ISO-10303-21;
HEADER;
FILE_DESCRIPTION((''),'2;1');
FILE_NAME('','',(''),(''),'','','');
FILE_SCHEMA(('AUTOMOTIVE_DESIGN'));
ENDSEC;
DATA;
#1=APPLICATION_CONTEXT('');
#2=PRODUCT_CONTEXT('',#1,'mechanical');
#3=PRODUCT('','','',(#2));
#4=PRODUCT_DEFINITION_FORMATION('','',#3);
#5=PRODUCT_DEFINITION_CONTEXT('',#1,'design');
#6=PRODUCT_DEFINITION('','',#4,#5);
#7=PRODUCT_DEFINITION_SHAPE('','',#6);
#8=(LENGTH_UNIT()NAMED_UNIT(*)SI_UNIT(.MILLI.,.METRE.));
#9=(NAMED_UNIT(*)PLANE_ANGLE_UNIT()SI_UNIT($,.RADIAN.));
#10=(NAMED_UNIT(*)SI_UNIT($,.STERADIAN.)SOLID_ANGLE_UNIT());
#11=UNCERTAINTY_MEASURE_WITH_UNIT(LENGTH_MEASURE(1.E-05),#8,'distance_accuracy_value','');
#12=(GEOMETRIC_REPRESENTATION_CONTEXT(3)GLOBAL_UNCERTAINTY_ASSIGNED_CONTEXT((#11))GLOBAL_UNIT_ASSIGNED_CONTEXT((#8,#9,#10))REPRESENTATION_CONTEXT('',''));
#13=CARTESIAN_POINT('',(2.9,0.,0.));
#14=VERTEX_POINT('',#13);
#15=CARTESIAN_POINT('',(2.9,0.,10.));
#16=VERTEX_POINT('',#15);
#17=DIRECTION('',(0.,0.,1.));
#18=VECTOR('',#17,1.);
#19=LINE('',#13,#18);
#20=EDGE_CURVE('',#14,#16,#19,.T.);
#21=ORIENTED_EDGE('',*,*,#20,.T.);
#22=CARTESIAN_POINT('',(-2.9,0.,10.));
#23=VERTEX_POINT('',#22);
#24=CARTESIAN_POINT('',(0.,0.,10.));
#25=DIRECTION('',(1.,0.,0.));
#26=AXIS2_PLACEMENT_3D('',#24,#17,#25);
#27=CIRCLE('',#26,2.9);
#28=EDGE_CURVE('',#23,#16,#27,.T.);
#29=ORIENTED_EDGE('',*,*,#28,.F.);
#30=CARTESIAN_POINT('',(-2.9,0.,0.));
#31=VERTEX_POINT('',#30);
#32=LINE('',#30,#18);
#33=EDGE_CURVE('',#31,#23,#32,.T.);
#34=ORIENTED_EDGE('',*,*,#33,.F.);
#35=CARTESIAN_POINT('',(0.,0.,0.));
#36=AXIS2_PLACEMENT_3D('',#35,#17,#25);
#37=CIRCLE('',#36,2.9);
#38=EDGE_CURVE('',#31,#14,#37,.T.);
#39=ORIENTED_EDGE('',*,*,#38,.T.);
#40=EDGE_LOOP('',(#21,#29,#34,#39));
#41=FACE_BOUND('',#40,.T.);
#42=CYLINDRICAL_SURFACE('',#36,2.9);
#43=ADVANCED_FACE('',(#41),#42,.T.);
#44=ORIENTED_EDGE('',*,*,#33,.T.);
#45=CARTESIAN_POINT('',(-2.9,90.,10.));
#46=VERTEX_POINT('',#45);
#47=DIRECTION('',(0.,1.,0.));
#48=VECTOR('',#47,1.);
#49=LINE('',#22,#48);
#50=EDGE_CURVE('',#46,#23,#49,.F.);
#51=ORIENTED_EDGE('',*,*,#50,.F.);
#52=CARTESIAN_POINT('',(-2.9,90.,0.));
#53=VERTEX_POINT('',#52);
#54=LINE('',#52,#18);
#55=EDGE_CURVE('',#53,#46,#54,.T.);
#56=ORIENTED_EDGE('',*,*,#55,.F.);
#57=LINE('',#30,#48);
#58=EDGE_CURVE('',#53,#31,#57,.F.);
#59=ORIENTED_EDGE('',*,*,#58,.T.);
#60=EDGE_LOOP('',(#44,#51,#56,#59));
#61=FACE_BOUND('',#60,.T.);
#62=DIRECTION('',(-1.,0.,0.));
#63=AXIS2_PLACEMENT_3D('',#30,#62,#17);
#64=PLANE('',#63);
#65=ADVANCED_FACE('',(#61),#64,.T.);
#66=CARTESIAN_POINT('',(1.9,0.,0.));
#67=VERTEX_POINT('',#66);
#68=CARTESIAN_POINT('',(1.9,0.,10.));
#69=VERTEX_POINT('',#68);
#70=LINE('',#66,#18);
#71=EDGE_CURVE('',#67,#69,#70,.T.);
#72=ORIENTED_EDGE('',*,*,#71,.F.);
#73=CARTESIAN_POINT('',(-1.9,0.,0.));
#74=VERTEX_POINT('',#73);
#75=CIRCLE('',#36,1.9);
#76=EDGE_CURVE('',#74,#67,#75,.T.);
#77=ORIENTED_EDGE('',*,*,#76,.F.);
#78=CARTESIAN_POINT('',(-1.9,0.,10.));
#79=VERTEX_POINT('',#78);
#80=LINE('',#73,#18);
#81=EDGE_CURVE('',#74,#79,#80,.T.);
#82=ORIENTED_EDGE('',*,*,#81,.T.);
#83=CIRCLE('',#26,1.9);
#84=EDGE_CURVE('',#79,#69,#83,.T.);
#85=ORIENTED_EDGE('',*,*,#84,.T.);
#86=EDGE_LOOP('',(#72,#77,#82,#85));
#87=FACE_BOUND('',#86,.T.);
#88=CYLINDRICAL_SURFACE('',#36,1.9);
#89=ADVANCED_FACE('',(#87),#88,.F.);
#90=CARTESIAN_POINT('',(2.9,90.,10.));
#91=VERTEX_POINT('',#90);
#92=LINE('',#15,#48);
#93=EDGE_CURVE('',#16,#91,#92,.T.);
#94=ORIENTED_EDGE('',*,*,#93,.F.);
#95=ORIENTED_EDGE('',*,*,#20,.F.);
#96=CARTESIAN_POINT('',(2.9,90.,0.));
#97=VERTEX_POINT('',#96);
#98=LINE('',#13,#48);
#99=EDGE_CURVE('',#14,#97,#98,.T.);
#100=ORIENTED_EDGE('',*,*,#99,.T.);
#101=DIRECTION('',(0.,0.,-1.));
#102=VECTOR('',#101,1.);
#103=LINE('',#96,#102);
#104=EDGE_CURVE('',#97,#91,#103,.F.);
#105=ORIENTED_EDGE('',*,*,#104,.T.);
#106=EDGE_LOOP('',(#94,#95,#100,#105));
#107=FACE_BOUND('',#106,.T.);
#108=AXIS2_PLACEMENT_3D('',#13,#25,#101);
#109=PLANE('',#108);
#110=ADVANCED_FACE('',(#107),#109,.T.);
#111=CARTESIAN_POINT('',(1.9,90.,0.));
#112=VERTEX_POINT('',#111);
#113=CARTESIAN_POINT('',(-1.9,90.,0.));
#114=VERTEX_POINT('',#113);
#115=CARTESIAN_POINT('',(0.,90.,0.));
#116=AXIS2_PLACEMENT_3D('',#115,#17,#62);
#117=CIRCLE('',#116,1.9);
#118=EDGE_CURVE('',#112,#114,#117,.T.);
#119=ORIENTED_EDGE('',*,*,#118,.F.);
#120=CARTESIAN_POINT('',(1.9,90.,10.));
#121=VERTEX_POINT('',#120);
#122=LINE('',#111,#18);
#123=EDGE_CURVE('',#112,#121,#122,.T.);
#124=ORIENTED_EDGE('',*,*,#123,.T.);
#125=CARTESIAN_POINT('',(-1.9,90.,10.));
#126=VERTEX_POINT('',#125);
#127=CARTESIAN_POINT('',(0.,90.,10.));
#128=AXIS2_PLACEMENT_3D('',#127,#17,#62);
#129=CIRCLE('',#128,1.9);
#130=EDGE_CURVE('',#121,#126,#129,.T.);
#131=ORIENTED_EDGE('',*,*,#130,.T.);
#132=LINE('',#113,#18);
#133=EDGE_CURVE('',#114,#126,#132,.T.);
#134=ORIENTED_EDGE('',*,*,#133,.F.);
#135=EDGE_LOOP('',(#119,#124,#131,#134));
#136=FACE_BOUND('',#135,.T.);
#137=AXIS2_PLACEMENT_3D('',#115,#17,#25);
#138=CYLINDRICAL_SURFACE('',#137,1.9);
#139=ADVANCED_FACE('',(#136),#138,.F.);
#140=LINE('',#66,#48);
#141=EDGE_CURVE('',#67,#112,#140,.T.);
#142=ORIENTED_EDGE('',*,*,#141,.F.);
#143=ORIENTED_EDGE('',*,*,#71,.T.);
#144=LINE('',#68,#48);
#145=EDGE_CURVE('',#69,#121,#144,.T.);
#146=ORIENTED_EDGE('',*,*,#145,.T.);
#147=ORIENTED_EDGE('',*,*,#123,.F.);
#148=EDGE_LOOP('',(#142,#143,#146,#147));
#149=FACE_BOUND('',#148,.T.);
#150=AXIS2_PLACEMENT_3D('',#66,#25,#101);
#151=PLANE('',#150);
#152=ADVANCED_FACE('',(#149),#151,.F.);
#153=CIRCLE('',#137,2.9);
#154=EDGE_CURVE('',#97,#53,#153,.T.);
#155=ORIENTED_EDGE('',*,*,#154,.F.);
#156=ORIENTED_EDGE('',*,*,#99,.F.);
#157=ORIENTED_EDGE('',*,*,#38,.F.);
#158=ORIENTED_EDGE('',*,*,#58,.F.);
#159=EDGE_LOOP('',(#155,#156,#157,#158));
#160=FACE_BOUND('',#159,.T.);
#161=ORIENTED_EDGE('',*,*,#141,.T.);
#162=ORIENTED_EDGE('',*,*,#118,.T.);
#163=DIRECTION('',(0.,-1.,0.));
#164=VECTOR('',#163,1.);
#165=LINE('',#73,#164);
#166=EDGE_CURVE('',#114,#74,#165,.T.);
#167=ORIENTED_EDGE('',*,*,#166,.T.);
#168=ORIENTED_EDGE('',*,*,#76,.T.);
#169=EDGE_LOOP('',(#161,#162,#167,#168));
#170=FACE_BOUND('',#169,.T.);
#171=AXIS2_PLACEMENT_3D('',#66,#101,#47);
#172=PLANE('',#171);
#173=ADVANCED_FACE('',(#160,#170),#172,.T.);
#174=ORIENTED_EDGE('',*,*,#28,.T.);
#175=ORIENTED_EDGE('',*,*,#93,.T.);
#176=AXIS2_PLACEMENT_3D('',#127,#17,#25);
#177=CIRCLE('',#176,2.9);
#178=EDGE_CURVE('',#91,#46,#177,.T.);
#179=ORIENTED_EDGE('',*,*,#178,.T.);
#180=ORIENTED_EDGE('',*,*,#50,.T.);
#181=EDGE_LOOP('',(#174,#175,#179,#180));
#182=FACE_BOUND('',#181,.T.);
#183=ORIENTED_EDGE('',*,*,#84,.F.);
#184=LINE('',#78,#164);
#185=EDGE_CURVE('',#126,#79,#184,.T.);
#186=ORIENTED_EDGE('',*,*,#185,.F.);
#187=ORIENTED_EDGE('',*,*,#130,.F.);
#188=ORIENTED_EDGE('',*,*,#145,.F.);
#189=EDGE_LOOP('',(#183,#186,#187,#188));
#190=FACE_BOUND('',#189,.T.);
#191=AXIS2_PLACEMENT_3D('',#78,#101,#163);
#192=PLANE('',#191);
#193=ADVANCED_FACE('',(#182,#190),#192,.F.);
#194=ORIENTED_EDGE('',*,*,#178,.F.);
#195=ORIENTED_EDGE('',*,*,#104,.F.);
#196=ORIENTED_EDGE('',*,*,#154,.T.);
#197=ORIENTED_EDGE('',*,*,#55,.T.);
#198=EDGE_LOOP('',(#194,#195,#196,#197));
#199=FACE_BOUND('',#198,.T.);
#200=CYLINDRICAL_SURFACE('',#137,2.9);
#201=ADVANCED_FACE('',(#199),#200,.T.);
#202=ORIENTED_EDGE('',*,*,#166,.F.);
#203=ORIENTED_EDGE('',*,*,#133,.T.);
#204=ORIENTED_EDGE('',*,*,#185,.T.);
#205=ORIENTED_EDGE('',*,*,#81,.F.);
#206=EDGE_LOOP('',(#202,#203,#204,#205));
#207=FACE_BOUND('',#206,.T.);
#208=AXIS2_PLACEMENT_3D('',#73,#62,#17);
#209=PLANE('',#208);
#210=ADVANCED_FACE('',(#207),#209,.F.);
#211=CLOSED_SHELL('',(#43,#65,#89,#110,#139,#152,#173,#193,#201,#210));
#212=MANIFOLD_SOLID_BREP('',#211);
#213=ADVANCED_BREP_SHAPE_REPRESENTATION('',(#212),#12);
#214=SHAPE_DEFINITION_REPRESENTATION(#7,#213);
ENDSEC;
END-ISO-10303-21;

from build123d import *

# Parameters (mm, degrees)
SURFACE_EXTRUDE1_1_DEPTH = 10
THICKEN1_T1              = 1


with BuildPart() as body_1:
    # Surface-Extrude1: a surface, the sketch's curves swept straight by 10 mm
    with BuildLine(Plane.XY, mode=Mode.PRIVATE) as surface_extrude1_1_path:
        Line((-1.9, 0), (-1.9, 90))
        ThreePointArc((-1.9, 90), (0, 91.9), (1.9, 90))
        Line((1.9, 90), (1.9, 0))
        ThreePointArc((1.9, 0), (0, -1.9), (-1.9, 0))
    surface_extrude1_1 = Shell.extrude(surface_extrude1_1_path.wire(), (0 * SURFACE_EXTRUDE1_1_DEPTH, 0 * SURFACE_EXTRUDE1_1_DEPTH, 1 * SURFACE_EXTRUDE1_1_DEPTH))
    add(Solid.thicken(surface_extrude1_1, THICKEN1_T1))


solid = body_1.part
